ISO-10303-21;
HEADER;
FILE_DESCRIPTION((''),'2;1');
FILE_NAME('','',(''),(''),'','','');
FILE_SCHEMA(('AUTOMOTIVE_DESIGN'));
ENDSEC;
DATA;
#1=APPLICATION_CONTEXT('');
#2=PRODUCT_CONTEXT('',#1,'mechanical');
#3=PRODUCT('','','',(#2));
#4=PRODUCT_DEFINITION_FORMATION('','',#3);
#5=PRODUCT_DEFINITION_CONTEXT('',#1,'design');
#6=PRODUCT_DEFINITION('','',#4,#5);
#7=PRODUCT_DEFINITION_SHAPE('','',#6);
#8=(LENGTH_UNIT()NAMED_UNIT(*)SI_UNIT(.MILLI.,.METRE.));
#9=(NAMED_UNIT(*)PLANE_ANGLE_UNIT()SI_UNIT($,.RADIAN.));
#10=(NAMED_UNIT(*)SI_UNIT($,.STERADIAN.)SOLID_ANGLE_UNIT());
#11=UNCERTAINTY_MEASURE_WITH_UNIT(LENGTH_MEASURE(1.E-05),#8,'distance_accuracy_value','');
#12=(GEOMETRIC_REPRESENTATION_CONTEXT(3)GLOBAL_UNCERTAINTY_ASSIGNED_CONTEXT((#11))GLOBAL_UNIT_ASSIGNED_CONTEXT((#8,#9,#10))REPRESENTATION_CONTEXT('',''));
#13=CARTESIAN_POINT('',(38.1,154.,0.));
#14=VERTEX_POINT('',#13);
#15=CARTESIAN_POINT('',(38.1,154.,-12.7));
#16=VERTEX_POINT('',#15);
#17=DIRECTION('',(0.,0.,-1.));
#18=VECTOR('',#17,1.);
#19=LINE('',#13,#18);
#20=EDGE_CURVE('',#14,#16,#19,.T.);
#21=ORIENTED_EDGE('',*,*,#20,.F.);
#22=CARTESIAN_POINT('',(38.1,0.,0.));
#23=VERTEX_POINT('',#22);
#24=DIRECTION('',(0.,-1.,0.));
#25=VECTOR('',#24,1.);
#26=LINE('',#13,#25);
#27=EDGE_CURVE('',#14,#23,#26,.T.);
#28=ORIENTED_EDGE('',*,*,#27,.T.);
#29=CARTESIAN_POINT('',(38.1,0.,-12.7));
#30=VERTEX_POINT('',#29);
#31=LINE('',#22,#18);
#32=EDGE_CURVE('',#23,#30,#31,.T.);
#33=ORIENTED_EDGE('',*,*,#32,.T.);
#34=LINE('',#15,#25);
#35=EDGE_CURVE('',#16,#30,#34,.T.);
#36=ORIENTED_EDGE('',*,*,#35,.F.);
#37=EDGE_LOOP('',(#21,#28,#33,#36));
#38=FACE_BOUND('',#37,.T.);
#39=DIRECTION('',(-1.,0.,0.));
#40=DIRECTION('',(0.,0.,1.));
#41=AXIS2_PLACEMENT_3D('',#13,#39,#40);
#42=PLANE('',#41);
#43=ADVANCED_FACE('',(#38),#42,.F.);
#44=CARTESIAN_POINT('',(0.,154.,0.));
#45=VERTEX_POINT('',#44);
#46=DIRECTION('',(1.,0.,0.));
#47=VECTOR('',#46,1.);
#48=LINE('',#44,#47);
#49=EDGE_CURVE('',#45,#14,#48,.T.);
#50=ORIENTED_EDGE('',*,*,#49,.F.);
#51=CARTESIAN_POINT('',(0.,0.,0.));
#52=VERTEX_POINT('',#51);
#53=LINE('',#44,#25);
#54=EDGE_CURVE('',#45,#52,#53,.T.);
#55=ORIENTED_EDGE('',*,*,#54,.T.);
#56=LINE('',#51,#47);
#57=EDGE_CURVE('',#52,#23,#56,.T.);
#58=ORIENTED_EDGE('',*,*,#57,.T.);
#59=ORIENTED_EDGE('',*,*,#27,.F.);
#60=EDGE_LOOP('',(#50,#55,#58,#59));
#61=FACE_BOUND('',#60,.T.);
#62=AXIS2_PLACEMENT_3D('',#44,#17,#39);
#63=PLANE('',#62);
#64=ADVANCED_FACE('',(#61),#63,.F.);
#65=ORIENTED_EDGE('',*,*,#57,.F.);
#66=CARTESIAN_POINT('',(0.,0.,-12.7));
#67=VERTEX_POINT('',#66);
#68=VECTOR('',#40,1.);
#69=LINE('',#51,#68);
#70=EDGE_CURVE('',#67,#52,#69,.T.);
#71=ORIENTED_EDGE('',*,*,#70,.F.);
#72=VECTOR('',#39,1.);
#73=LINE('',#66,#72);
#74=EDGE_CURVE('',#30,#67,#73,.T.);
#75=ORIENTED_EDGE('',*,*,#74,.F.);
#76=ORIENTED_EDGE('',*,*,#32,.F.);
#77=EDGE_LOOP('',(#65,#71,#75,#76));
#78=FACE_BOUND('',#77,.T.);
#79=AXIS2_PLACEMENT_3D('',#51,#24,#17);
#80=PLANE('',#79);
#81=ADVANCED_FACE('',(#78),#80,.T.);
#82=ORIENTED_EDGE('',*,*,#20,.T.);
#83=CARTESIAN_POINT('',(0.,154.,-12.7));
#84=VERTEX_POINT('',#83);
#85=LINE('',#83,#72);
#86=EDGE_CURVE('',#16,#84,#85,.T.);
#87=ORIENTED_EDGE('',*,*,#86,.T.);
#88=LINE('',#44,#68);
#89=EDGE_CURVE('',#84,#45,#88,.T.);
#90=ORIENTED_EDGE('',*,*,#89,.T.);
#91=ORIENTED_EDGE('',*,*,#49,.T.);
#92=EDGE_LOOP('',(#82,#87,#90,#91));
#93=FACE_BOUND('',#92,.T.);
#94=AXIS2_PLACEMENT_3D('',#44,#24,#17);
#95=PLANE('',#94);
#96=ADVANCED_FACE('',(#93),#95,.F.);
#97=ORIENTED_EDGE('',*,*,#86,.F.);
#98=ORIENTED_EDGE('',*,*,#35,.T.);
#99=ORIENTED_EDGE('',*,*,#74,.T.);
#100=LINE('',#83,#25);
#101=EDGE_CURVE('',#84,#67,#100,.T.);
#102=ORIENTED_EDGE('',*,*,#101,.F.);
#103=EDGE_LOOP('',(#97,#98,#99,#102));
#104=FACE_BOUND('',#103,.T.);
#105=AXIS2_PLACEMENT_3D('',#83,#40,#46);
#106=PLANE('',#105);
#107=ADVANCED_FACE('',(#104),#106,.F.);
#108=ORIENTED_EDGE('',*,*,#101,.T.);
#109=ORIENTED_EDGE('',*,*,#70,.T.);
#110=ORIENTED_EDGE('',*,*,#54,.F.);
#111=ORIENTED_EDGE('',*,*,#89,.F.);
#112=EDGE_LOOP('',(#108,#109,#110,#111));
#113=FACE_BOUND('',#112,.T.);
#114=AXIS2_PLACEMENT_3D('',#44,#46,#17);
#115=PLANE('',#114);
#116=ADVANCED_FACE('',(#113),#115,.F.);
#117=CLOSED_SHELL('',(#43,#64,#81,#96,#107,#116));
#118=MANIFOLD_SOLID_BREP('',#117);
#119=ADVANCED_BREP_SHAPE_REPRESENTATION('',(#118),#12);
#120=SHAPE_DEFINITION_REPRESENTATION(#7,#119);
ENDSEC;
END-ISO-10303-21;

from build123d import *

# Parameters (mm, degrees)
SKETCH1_W           = 38.1
SKETCH1_H           = 12.7
BOSS_EXTRUDE1_DEPTH = 154


with BuildPart() as part:
    # Sketch1 → Boss-Extrude1 (new body)
    with BuildSketch(Plane(origin=(0, 0, 0), x_dir=(1, 0, 0), z_dir=(0, 1, 0))):
        with Locations((19.05, 6.35)):
            Rectangle(SKETCH1_W, SKETCH1_H)
    extrude(amount=BOSS_EXTRUDE1_DEPTH)


solid = part.part
